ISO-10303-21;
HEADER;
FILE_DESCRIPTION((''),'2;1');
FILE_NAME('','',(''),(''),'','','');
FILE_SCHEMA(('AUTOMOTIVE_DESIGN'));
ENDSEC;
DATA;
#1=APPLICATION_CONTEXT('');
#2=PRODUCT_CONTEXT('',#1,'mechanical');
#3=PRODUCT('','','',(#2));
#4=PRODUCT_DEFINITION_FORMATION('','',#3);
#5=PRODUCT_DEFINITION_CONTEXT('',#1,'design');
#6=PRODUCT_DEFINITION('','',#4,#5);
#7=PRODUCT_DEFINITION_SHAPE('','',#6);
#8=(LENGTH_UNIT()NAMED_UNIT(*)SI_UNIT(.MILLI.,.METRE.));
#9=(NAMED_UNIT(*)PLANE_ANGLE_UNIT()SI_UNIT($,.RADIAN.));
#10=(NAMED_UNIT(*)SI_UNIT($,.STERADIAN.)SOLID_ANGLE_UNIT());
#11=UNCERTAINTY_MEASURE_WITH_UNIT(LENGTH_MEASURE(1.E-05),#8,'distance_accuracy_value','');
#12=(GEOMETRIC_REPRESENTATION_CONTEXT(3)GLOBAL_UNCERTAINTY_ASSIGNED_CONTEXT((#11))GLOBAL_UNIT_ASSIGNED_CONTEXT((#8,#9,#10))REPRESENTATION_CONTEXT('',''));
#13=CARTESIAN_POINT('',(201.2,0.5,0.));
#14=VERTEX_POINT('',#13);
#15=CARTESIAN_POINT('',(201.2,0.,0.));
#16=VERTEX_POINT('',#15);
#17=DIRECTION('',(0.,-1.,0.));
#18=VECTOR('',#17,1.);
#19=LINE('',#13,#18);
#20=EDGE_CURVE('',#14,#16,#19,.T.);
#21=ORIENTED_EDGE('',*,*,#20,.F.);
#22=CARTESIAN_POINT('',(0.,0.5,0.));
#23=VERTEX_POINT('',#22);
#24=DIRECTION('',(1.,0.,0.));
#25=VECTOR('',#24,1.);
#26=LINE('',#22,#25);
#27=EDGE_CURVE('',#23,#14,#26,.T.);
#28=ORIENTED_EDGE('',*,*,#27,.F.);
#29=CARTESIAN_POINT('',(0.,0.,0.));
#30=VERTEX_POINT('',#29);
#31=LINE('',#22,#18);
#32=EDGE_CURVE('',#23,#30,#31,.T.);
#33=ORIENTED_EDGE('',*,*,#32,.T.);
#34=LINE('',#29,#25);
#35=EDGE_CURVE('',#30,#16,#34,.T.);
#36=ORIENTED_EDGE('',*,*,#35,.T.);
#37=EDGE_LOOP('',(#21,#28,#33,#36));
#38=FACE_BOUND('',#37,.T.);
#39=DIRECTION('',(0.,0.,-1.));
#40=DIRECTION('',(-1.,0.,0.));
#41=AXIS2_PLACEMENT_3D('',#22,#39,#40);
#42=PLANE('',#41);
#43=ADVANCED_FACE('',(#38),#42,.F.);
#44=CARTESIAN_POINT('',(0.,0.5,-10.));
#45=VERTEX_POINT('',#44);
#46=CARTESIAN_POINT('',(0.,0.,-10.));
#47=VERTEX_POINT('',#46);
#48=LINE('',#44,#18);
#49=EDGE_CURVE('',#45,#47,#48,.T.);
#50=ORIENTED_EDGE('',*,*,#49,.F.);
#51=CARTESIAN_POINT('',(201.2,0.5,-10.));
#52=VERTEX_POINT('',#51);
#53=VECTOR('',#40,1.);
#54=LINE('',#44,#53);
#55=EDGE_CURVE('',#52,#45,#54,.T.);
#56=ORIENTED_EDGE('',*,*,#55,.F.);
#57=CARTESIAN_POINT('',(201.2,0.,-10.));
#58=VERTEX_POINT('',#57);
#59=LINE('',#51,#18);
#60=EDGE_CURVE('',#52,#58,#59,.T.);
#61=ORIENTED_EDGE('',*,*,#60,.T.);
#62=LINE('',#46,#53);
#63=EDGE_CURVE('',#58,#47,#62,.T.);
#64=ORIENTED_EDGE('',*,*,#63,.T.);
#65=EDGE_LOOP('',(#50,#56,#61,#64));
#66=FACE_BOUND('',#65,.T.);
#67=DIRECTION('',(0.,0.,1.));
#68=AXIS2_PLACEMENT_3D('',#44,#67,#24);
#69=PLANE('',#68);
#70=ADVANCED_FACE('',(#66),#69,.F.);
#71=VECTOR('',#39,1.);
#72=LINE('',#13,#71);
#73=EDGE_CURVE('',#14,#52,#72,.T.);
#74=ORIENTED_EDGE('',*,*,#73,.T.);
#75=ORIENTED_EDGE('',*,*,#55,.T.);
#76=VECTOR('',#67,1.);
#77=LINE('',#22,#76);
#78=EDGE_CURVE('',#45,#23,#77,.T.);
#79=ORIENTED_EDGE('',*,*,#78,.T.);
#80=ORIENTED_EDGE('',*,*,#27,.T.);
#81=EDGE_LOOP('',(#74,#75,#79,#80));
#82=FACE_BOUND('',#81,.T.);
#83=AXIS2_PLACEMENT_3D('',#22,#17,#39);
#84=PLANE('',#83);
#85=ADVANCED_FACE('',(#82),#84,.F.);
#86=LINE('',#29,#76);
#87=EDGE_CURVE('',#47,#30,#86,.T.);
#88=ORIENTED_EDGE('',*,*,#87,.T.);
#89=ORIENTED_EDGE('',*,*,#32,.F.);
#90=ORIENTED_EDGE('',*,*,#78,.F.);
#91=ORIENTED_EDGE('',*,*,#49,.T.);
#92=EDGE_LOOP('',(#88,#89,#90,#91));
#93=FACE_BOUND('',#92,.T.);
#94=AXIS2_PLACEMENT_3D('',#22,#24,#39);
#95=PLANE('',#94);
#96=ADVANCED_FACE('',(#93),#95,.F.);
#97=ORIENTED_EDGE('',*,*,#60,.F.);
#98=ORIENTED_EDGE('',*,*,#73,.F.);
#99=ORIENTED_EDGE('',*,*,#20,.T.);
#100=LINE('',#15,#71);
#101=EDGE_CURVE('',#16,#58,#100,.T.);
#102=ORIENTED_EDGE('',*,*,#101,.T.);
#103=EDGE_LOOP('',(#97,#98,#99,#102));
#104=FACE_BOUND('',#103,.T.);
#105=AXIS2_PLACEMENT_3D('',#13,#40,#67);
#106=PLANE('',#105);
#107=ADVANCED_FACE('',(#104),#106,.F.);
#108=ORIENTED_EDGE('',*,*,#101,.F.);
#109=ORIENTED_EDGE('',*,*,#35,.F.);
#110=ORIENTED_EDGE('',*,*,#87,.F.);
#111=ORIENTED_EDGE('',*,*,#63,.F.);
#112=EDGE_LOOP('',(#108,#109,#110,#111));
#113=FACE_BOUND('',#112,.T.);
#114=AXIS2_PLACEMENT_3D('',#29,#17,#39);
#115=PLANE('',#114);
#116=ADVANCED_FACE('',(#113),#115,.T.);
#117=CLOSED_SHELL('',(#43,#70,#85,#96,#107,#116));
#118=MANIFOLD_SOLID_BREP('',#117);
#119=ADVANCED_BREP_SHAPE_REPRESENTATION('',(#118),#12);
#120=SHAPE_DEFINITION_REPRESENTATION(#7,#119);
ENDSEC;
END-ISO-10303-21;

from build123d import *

# Parameters (mm, degrees)
SKETCH1_W           = 201.2
SKETCH1_H           = 10
BOSS_EXTRUDE1_DEPTH = 0.5


with BuildPart() as part:
    # Sketch1 → Boss-Extrude1 (new body)
    with BuildSketch(Plane(origin=(0, 0, 0), x_dir=(1, 0, 0), z_dir=(0, 1, 0))):
        with Locations((100.6, 5)):
            Rectangle(SKETCH1_W, SKETCH1_H)
    extrude(amount=BOSS_EXTRUDE1_DEPTH)


solid = part.part
